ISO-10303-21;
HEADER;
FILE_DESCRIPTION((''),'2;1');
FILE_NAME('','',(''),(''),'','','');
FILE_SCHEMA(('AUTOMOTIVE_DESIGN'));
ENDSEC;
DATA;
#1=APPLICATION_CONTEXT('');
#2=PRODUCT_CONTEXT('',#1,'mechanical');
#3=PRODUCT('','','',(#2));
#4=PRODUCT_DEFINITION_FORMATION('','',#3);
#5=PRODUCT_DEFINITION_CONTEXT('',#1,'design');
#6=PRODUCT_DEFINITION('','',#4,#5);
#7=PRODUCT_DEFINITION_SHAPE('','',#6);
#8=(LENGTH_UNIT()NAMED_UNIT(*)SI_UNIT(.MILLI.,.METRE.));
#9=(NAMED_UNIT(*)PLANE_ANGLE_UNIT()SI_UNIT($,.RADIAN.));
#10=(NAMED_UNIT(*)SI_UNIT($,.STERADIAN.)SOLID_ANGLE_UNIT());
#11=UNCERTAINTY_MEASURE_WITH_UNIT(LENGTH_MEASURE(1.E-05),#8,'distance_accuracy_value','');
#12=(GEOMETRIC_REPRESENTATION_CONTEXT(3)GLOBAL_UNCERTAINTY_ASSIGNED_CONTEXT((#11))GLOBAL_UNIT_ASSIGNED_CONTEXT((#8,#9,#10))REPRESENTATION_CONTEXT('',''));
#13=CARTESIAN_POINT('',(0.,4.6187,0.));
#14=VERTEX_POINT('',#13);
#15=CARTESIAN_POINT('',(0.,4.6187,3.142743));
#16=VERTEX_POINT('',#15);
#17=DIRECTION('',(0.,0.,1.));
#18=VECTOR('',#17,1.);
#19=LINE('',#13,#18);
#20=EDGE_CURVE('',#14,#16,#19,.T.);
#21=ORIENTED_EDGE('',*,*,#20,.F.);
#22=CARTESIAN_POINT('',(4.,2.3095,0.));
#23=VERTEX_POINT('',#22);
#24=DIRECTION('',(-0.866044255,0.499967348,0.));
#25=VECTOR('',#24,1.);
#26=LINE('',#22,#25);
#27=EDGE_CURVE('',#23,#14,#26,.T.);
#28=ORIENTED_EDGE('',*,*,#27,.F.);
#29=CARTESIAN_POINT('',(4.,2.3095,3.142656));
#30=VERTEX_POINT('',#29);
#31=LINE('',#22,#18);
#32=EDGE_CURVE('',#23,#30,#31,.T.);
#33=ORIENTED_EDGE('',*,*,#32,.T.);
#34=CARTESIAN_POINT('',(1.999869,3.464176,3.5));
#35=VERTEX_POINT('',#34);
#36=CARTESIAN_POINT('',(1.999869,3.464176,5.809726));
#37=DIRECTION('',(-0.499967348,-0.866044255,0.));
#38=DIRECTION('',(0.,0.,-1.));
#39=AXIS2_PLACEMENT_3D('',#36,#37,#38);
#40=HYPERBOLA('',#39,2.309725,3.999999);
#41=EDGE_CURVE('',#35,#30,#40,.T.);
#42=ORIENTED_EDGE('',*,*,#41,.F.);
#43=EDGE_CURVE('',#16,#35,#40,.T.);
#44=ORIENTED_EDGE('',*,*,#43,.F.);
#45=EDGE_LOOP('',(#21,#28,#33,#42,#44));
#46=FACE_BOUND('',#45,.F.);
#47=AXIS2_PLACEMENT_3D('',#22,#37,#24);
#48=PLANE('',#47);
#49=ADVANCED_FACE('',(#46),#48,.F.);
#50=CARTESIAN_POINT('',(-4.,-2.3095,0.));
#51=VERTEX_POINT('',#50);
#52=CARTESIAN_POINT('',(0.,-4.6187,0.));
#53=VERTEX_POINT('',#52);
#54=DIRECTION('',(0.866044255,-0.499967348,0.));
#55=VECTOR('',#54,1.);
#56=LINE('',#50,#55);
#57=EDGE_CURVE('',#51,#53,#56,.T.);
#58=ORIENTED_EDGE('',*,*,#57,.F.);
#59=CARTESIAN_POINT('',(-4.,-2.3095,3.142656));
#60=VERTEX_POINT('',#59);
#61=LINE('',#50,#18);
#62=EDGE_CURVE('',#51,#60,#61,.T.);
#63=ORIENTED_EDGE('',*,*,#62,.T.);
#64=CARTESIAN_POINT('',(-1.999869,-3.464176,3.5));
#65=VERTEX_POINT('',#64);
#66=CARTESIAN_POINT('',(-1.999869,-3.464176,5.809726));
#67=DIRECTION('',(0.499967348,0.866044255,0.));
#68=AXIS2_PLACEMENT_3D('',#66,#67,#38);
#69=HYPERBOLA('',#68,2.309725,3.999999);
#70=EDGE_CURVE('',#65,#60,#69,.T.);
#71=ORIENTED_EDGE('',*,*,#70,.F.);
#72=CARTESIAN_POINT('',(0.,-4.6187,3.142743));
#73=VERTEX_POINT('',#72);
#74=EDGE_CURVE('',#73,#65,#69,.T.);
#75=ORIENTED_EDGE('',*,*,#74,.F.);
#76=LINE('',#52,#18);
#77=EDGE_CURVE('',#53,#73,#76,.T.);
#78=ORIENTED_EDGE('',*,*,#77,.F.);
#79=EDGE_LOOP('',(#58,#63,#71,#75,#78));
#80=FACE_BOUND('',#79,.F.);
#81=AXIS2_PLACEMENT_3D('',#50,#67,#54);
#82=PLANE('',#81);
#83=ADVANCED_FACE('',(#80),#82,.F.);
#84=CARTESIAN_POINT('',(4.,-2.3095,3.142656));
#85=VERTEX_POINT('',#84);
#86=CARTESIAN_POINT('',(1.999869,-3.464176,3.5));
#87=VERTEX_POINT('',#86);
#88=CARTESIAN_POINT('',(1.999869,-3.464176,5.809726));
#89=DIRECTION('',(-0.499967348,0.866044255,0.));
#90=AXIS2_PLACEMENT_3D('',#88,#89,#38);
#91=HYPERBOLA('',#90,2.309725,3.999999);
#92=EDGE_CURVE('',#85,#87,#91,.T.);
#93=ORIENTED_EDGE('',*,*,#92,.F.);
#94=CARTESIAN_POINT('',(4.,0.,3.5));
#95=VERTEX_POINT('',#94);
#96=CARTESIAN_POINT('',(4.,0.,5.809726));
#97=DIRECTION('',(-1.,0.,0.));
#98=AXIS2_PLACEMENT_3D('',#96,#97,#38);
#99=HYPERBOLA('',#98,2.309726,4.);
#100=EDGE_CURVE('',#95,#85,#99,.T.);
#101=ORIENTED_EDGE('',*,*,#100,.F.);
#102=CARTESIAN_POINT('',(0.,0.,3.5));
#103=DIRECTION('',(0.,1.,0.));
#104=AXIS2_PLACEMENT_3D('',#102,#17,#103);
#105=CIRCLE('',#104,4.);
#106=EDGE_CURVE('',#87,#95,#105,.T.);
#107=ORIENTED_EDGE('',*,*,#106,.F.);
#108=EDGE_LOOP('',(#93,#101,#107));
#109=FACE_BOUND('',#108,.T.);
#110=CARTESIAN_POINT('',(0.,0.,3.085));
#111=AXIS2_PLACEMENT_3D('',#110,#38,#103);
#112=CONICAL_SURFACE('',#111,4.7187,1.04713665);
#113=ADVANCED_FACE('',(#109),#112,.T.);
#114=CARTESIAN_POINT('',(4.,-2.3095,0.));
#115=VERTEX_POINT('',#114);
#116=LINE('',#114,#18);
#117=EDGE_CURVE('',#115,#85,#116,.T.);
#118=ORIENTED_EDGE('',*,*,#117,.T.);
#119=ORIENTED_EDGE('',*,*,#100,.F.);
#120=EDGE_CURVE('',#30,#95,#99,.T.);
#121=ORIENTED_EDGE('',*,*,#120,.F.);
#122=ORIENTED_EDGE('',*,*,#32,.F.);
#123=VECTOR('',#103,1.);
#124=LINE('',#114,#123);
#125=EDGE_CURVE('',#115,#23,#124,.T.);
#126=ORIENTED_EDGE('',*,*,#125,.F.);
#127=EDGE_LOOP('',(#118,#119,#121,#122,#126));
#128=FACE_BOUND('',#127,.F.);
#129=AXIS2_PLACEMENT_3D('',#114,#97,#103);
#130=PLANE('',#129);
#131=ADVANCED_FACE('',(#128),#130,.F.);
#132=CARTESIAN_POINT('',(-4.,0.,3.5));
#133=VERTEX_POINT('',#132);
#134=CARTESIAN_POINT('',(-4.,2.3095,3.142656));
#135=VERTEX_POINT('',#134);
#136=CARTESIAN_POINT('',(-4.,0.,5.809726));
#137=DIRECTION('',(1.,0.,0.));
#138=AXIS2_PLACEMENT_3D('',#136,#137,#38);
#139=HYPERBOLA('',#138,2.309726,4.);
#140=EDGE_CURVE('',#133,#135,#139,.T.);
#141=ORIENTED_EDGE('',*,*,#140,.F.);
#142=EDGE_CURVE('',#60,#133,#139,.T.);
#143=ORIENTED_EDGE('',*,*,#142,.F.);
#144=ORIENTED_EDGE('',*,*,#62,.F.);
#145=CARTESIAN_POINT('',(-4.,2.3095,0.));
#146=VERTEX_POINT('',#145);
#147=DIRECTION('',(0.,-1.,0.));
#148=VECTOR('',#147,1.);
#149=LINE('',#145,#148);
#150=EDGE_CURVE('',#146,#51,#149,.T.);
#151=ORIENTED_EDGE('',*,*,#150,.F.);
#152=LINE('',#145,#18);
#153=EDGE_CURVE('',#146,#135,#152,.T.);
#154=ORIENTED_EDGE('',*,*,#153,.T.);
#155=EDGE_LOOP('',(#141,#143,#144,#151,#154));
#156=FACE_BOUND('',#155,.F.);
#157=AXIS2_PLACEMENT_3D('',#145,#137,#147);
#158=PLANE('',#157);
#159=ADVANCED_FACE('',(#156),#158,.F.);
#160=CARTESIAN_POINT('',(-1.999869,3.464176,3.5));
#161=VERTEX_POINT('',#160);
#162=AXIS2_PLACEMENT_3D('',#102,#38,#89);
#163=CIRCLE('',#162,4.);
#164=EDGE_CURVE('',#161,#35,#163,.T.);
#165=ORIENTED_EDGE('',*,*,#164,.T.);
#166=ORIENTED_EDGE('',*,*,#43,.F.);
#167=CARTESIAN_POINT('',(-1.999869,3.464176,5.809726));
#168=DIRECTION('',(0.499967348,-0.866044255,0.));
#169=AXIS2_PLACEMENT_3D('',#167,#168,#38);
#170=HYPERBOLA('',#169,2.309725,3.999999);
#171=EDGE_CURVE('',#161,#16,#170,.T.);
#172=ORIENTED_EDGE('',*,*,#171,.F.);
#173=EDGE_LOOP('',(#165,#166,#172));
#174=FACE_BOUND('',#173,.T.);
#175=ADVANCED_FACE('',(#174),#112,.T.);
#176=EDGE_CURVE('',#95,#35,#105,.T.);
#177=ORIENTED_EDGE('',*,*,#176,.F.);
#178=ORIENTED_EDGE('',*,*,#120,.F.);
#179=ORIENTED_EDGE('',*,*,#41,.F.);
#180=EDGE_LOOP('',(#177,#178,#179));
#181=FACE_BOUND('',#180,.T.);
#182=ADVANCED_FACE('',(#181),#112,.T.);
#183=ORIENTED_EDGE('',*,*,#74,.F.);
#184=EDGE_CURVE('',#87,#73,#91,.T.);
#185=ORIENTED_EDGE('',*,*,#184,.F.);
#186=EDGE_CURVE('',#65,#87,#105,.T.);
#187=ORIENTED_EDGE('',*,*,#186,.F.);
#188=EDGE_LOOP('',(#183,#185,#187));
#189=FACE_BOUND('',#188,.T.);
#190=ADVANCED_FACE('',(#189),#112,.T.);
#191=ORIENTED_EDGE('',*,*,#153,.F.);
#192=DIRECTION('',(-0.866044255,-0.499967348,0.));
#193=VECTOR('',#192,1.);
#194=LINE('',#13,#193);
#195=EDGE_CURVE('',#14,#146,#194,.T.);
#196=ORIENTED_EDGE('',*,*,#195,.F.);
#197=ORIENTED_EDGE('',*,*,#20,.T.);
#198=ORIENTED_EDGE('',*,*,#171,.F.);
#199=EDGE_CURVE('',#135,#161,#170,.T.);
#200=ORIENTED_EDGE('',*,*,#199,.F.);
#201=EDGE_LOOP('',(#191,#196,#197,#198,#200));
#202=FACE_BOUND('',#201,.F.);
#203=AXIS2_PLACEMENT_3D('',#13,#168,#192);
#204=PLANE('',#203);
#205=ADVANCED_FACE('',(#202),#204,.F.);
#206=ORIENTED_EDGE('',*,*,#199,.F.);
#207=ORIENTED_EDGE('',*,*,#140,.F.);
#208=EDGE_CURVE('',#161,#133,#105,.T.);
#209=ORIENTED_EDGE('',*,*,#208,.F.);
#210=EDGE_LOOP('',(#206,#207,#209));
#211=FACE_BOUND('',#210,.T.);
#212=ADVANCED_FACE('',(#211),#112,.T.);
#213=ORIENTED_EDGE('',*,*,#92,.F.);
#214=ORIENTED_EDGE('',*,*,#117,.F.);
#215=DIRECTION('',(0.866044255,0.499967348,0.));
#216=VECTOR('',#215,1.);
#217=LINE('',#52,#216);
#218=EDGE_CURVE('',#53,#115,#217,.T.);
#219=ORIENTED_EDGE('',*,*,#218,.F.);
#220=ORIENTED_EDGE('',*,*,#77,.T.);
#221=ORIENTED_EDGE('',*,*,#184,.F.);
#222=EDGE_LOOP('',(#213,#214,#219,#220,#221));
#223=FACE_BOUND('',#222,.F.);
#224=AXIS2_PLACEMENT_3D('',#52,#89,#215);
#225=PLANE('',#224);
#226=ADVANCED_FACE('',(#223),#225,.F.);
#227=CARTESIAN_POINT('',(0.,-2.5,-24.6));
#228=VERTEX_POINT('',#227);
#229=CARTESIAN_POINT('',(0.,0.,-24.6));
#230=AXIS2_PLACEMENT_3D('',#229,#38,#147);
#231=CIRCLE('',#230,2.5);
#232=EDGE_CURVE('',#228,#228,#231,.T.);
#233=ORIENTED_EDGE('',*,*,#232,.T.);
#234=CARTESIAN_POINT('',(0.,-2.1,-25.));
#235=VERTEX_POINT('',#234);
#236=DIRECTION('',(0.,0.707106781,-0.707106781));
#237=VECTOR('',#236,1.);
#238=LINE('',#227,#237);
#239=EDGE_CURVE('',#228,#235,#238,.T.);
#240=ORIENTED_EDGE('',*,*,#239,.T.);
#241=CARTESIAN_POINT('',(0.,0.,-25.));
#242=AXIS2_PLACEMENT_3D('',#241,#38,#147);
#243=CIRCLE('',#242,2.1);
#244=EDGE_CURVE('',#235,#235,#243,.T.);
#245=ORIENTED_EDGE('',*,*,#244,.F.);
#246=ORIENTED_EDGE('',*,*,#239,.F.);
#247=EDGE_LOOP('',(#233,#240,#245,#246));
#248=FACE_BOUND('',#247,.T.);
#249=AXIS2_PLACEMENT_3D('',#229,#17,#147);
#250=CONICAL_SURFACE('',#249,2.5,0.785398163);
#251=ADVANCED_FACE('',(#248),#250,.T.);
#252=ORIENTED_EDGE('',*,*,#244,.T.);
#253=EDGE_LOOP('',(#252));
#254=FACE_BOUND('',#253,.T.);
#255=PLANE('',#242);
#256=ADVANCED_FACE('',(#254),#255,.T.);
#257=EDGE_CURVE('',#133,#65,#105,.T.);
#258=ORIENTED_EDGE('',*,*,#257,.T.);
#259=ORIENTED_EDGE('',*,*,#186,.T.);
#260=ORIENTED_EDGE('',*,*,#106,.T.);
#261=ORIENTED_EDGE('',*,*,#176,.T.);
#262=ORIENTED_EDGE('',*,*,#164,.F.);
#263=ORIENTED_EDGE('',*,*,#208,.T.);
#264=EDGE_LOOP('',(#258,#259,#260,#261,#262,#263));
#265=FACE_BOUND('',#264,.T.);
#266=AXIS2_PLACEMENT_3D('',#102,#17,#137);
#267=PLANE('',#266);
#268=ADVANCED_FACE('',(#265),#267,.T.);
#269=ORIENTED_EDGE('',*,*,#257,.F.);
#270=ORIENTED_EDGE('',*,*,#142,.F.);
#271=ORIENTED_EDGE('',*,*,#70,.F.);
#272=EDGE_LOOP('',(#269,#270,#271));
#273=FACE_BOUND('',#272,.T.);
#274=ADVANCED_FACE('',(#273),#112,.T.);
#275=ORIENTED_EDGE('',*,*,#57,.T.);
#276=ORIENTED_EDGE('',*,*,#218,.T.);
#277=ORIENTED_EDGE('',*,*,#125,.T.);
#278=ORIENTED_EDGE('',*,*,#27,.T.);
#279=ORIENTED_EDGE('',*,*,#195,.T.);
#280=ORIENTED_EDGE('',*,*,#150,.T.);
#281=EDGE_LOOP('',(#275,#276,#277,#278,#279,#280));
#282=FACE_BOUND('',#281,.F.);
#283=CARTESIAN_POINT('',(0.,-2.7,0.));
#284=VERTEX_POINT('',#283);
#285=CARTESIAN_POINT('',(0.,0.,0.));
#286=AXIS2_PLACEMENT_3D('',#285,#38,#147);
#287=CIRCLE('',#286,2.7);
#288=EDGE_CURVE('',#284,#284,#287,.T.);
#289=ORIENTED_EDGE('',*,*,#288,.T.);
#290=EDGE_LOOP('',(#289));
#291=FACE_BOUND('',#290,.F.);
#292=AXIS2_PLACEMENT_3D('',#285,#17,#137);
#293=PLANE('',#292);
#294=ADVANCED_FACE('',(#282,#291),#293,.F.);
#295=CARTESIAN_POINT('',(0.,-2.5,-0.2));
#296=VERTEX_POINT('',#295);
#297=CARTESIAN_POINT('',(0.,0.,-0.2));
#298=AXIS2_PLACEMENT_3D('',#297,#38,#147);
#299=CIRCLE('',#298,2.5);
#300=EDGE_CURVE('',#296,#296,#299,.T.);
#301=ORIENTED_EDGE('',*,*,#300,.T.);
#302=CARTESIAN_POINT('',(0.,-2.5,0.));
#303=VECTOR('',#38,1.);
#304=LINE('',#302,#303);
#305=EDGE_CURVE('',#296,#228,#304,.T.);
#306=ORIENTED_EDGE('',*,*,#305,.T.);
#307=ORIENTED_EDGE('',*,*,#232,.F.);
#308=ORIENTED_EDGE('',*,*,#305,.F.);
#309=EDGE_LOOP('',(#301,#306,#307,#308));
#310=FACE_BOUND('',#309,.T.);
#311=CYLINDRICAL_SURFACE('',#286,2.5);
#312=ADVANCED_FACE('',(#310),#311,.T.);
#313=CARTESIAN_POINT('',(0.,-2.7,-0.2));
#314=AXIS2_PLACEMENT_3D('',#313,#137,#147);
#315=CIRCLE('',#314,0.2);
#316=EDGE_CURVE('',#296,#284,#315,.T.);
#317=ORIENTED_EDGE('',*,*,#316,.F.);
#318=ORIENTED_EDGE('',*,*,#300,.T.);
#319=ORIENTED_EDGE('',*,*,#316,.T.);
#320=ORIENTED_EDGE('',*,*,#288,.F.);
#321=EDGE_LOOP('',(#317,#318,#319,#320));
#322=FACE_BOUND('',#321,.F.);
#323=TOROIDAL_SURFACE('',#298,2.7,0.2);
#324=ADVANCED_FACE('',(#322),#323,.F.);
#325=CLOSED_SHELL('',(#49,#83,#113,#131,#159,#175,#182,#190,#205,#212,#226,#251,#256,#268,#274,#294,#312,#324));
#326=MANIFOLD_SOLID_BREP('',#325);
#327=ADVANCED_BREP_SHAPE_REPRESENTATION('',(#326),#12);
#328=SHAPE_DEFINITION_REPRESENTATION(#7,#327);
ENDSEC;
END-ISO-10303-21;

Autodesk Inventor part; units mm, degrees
ref_plane "WorkPlane1" through (0, 0, 0) normal (0, 0, 1) x (1, 0, 0)
sketch "Sketch1" plane through (0, 0, 0) normal (0, 0, 1) x (1, 0, 0)
  point P0 (0, 0)
sketch "Sketch2" plane through (0, 0, 0) normal (0, 0, 1) x (1, 0, 0)
  line L0 (-4, 2.3095) -> (-4, -2.3095)
  line L1 (0, 4.6187) -> (-4, 2.3095)
  line L2 (4, 2.3095) -> (0, 4.6187)
  line L3 (4, -2.3095) -> (4, 2.3095)
  line L4 (0, -4.6187) -> (4, -2.3095)
  line L5 (-4, -2.3095) -> (0, -4.6187)
  circle A0 centre (0, 0) radius 4 construction
  dimension "d1" = 8
  dimension "d29" = 0
  dimension "d30" = 0
extrude "Extrusion1" add sketch "Sketch2" along normal blind 3.5
sketch "Sketch3" plane through (0, 0, 0) normal (1, 0, 0) x (0, 1, 0)
  line L0 (4, 3.5) -> (4.7187, 3.5)
  line L1 (4.7187, 3.085) -> (4, 3.5)
  line L2 (4.7187, 3.5) -> (4.7187, 3.085)
  line L3 (0, -0.7) -> (0, 4.2) projected
  line L4 (4.6187, 0) -> (4.6187, 3.5) projected
  dimension "d25" = 0.1
  dimension "d26" = 0
  dimension "d27" = 60
  dimension "d28" = 4
revolve "Revolution1" cut sketch "Sketch3" angle 360 about axis through (0, 0, -10) along (0, 0, 1)
sketch "Sketch4" plane through (0, 0, 0) normal (1, 0, 0) x (0, 1, 0)
  line L0 (0, -25) -> (0, 0)
  line L1 (-2.5, -25) -> (0, -25)
  line L2 (-2.5, 0) -> (-2.5, -25)
  line L3 (0, 0) -> (-2.5, 0)
  line L4 (0, -25) -> (0, 0)
  line L5 (-3, 0) -> (0.5, 0) projected
  line L6 (0, -30) -> (0, 5) projected
  dimension "d18" = 2.5
  dimension "d20" = 25
  dimension "d33" = 0
  dimension "d34" = 0
revolve "Revolution2" add sketch "Sketch4" angle 360 about axis through (0, 0, -25) along (0, 0, -1)
chamfer "Chamfer1" distance 0.4 angle 45 1 edges at (0, 2.5, -25)
fillet "Fillet1" radius 0.2 1 edges at (0, 2.5, 0)
thread "Thread1" size "M5x0.8" class "6g" standard "ISO Metric profile" length 16
ref_plane "MSC_PF1" through (0, 0, 0) normal (1, 0, 0) x (0, 1, 0)
ref_plane "MSC_PT1" through (0, 0, 0) normal (0, 0, -1) x (-1, 0, 0)
equation "\"d22\" = 0.5 * PTC"
equation "\"d23\" = 0.5 * PTC"
equation "\"d24\" = r"
equation "\"d1\" = ParS"
equation "\"d6\" = ParK"
equation "\"d28\" = 0.5 * ParS"
equation "\"d18\" = 0.5 * NND"
equation "\"d20\" = NLG"
equation "\"NND\" = 5"
equation "\"NLG\" = 25"
equation "\"PTC\" = 0.8"
equation "\"ParK\" = 3.5"
equation "\"ParS\" = 8"
equation "\"msp_es\" = 0.577367 * ParS"
equation "\"r\" = 0.2"
equation "\"THREADDIA\" = NND"
properties part number "ISO 4016 - M5 x 25" material "Steel"
